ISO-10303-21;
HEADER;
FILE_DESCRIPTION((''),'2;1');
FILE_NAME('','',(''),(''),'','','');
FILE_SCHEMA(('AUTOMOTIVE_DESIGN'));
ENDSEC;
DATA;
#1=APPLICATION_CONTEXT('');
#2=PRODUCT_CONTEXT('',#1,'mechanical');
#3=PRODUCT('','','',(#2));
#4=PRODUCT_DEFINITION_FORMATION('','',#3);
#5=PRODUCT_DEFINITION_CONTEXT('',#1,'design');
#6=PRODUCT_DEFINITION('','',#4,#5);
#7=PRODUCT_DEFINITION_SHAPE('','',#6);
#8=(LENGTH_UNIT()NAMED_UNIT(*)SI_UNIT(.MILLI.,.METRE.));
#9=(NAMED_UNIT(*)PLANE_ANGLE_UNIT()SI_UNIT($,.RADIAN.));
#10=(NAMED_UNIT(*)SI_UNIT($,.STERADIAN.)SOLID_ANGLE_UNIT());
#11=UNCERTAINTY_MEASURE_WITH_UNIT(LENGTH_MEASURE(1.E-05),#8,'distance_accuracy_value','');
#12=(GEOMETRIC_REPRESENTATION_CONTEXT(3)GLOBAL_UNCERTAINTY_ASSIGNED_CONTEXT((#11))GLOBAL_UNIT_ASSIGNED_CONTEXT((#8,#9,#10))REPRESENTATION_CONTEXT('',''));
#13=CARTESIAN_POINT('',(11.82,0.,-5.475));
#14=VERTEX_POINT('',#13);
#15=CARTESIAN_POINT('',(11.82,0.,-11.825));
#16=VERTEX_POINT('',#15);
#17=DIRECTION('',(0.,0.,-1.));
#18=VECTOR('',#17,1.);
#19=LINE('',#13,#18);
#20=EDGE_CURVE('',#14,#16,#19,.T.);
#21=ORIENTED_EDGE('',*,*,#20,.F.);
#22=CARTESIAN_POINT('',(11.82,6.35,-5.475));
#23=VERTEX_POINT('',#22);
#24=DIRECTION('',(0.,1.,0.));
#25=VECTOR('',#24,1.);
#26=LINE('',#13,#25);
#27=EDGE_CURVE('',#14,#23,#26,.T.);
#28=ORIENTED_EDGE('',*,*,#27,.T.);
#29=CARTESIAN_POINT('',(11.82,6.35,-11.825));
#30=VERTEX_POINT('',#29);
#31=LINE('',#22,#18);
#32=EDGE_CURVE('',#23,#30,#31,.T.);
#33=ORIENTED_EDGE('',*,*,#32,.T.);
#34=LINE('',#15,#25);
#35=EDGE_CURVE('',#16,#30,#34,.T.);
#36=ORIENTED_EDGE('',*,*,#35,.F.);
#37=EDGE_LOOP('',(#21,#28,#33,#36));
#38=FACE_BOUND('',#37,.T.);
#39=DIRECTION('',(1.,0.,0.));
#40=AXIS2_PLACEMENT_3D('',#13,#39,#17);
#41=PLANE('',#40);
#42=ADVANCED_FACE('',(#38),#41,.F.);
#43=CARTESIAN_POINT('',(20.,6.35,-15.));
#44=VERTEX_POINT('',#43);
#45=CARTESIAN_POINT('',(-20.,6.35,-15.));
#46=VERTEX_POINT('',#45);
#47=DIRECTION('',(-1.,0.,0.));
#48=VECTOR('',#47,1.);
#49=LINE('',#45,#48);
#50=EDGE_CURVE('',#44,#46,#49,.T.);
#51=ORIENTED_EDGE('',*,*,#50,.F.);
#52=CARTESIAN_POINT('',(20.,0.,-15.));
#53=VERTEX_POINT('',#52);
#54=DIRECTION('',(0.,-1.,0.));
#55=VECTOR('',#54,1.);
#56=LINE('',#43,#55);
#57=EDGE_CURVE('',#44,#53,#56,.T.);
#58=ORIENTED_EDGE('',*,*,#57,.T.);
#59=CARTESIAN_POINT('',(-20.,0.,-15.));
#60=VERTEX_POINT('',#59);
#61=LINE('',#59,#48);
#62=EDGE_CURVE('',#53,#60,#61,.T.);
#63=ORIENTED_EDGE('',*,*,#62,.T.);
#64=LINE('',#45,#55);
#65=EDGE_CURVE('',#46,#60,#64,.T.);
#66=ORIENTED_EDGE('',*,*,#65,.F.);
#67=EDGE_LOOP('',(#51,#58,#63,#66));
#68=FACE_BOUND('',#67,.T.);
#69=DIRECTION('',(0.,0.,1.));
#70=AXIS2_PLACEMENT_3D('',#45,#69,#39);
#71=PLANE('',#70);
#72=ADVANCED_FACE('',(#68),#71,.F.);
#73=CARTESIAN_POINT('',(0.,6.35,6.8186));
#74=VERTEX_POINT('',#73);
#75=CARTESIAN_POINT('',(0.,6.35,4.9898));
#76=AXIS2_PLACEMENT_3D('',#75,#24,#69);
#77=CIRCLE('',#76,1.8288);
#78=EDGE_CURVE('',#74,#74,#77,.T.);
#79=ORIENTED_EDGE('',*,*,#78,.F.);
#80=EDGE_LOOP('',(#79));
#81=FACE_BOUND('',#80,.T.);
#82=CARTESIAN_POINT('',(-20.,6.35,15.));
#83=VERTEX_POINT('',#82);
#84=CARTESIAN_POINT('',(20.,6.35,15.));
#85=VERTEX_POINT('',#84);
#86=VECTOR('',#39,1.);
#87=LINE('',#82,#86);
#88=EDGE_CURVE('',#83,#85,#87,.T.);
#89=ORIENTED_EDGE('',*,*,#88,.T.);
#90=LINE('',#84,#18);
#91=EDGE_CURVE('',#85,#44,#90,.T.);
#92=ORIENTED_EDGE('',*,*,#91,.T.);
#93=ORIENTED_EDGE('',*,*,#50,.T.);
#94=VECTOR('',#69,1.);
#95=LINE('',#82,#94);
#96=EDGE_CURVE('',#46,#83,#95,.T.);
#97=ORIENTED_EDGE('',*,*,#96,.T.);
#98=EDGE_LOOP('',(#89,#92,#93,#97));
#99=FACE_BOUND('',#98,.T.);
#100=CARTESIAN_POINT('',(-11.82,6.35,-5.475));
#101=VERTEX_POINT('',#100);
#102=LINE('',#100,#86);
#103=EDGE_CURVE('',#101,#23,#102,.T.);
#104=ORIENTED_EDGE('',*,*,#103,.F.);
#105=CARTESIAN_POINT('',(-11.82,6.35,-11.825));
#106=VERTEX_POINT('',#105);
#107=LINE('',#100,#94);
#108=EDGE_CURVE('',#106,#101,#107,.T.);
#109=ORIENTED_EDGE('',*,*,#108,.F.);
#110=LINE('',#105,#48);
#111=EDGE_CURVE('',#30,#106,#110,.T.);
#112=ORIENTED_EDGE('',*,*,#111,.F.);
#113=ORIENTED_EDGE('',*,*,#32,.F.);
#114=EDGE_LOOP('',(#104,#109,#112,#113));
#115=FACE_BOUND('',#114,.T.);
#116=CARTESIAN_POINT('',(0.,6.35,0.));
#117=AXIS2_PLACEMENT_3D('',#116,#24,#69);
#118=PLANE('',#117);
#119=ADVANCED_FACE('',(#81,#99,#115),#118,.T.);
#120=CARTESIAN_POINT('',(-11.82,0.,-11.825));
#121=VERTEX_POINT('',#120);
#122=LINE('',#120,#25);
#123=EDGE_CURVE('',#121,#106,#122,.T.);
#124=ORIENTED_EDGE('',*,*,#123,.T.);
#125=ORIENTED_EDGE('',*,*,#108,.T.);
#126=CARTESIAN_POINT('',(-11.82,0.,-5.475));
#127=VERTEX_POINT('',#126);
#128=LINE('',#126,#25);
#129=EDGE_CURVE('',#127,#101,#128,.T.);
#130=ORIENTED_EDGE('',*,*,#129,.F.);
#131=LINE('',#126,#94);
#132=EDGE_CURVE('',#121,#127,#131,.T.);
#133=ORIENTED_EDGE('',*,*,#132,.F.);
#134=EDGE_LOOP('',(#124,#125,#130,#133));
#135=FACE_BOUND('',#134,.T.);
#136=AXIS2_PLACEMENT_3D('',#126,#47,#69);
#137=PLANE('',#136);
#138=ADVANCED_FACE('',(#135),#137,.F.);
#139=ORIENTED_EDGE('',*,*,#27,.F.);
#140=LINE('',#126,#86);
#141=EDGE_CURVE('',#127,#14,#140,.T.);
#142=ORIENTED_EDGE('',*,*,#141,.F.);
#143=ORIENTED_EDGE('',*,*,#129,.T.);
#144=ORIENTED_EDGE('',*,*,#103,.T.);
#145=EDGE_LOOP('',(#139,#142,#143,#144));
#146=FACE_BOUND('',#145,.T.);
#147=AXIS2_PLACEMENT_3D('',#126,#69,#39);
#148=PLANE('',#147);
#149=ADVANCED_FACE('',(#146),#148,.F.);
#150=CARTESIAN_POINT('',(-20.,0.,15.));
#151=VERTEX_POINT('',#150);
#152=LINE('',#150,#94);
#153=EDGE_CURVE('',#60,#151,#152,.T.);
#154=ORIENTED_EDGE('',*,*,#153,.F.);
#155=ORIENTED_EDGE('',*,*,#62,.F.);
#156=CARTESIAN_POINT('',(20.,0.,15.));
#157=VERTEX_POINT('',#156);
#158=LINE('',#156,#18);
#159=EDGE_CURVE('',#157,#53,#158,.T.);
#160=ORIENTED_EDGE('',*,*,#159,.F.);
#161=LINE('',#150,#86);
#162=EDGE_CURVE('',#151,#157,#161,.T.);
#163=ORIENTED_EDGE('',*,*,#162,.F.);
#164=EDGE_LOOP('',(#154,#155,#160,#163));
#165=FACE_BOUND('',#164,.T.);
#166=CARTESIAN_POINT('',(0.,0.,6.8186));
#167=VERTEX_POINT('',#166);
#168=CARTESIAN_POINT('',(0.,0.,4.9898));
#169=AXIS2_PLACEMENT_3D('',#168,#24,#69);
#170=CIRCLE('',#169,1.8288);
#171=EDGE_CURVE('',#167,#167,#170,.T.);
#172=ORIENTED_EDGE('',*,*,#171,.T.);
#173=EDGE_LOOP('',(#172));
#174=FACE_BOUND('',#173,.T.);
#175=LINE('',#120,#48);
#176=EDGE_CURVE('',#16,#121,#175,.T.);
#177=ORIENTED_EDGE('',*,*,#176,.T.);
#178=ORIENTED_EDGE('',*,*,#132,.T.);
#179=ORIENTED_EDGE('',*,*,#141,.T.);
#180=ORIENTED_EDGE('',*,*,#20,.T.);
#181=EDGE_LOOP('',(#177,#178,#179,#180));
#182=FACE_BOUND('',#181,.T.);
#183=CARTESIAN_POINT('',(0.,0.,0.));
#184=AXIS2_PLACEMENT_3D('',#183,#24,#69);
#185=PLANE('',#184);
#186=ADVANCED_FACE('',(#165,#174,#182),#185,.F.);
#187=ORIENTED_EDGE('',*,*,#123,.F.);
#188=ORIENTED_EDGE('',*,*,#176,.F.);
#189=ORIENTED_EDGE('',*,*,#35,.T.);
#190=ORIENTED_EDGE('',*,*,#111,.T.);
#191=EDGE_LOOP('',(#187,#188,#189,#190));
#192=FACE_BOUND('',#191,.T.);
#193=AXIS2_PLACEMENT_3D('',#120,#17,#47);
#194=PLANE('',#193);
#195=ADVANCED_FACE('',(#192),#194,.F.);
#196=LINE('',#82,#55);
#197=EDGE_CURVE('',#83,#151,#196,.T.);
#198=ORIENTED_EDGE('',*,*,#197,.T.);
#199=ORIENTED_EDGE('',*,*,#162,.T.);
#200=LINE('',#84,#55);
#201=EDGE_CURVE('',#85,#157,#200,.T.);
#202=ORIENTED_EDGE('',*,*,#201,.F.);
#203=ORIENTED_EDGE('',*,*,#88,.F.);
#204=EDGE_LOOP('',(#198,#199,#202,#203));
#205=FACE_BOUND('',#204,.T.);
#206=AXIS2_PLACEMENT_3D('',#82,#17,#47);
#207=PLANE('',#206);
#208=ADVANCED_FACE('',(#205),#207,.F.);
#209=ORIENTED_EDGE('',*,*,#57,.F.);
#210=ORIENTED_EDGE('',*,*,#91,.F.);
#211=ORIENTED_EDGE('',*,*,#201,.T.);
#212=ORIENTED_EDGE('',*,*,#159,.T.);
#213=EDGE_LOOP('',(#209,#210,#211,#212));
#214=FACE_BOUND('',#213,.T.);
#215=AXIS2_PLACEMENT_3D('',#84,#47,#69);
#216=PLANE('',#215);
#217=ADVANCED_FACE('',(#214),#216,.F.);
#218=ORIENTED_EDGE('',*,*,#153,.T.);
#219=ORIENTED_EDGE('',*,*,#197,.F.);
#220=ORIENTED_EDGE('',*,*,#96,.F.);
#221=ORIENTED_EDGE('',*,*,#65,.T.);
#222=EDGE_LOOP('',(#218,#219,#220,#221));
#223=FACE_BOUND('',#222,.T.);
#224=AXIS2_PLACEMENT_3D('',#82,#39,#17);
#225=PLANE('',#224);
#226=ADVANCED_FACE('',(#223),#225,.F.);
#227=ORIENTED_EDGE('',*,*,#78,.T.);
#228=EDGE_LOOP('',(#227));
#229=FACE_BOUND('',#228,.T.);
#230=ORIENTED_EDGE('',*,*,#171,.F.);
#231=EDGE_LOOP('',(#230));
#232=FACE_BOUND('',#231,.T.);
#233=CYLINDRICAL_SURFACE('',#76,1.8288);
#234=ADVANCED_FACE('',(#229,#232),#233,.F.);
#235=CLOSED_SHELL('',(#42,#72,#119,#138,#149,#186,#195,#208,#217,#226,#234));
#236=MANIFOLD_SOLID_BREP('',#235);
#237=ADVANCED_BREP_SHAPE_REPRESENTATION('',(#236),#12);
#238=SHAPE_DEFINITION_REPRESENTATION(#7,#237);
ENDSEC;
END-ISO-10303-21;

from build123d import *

# Parameters (mm, degrees)
SKETCH1_W             = 40
SKETCH1_H             = 30
BOSS_EXTRUDE1_DEPTH   = 6.35
SKETCH2_W             = 23.64
SKETCH2_H             = 6.35
CUT_EXTRUDE1_DEPTH    = 7.35
F_6_CLEARANCE_HOLE1_D = 3.6576


with BuildPart() as part:
    # Sketch1 → Boss-Extrude1 (new body)
    with BuildSketch(Plane(origin=(0, 0, 0), x_dir=(1, 0, 0), z_dir=(0, 1, 0))):
        Rectangle(SKETCH1_W, SKETCH1_H)
    extrude(amount=BOSS_EXTRUDE1_DEPTH)

    # Sketch2 → Cut-Extrude1 (cut, through all)
    with BuildSketch(Plane(origin=(0, 6.35, 0), x_dir=(1, 0, 0), z_dir=(0, 1, 0))):
        with Locations((0, 8.65)):
            Rectangle(SKETCH2_W, SKETCH2_H)
    extrude(amount=-CUT_EXTRUDE1_DEPTH, mode=Mode.SUBTRACT)

    # #6 Clearance Hole1 (through all)
    with Locations(Plane(origin=(0, 6.35, 0), x_dir=(1, 0, 0), z_dir=(0, 1, 0))):
        with Locations((0, -4.9898)):
            Hole(F_6_CLEARANCE_HOLE1_D / 2)


solid = part.part
